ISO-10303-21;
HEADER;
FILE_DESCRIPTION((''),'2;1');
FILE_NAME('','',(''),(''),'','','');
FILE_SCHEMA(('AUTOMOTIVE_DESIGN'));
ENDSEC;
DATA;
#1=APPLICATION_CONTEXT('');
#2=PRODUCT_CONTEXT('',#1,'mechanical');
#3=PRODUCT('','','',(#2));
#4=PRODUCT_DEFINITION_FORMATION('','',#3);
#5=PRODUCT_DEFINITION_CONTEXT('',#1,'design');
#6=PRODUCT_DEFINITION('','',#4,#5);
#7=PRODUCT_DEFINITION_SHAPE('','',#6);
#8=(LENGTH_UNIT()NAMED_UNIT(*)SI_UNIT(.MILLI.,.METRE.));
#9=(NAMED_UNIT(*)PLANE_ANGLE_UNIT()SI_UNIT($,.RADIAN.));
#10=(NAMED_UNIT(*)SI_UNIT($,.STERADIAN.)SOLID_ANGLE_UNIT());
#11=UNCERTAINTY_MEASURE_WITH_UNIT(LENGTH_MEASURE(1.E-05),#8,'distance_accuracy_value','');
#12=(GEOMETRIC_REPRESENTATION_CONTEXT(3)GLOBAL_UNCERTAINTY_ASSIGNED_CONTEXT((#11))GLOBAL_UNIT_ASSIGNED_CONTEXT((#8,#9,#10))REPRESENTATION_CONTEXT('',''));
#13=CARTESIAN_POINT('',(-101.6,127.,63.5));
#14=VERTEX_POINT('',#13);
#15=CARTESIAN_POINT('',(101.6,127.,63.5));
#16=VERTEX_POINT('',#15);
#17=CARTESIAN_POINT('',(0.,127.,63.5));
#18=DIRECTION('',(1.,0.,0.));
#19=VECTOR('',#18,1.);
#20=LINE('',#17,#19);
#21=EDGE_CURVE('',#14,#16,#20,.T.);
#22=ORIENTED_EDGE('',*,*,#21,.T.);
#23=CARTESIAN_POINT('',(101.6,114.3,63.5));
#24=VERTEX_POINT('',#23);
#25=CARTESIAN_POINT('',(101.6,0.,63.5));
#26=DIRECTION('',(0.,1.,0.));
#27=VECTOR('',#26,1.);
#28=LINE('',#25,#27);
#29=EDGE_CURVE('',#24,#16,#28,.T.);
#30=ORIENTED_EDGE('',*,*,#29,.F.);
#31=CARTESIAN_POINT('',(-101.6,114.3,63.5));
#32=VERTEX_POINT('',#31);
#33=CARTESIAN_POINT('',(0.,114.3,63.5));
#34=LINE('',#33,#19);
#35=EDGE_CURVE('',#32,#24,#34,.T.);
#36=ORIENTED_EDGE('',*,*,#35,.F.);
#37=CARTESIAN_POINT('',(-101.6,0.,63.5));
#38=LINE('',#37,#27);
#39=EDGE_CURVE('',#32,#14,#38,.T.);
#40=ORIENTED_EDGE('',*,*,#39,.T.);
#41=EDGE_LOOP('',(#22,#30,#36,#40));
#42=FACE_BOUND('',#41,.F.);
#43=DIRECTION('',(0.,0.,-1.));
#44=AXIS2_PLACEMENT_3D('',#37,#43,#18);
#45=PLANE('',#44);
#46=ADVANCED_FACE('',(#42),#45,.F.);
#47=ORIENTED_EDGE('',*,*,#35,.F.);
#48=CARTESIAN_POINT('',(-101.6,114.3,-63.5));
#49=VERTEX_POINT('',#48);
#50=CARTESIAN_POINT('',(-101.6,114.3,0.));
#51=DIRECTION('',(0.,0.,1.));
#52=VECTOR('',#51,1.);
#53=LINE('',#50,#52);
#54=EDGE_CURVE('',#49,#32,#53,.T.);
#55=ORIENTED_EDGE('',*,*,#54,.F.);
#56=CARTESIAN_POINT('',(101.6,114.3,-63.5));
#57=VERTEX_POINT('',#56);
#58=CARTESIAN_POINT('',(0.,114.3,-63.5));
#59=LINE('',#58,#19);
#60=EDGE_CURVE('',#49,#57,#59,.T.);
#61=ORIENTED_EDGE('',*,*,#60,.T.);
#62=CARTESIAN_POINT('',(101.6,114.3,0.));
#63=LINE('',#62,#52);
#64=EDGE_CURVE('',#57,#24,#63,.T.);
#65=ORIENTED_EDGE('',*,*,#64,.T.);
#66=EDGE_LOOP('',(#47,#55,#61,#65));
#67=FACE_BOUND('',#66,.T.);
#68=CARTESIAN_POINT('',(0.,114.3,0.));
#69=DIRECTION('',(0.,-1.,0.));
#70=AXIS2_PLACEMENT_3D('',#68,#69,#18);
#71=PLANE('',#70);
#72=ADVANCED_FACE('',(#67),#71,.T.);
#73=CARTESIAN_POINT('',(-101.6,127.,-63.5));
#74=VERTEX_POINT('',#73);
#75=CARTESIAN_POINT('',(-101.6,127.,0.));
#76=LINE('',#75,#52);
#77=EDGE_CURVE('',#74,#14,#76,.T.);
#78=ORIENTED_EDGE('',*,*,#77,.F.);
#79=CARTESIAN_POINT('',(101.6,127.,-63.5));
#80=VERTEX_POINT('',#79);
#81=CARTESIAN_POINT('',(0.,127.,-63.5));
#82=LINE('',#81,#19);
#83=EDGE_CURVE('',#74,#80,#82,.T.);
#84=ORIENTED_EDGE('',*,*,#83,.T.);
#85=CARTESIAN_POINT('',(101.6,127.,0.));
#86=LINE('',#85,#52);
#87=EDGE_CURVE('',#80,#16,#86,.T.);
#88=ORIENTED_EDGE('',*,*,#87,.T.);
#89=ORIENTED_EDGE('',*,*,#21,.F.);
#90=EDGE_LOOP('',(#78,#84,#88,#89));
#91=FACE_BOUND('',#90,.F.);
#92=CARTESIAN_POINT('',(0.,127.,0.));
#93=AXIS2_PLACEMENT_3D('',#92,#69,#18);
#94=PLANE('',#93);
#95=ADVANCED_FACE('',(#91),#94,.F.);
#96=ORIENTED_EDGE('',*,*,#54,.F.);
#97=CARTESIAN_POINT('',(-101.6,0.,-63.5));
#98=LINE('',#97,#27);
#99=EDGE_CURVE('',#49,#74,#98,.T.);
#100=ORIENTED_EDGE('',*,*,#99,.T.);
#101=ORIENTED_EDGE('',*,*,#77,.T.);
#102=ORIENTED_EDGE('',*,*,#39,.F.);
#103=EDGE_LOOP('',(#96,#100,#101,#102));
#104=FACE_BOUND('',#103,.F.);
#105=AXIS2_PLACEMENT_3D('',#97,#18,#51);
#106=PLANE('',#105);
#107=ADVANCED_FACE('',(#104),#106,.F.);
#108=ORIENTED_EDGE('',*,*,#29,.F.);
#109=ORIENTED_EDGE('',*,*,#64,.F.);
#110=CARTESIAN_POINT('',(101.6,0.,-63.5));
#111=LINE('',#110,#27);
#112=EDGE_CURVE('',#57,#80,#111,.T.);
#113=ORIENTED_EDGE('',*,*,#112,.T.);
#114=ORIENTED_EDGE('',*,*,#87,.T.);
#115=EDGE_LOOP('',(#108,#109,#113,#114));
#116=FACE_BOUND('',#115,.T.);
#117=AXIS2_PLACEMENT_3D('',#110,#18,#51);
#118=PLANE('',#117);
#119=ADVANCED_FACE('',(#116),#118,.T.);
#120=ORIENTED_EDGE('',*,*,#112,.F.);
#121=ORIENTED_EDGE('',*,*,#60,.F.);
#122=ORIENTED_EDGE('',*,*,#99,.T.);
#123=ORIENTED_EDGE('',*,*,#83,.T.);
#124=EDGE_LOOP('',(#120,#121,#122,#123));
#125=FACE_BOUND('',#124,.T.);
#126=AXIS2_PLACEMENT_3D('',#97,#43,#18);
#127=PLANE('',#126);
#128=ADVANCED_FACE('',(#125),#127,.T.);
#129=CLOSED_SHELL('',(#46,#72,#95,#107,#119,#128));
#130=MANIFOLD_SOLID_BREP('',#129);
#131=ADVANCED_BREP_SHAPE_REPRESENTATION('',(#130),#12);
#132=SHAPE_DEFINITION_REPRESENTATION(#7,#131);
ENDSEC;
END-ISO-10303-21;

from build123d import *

# Parameters (mm, degrees)
F0_W     = 203.2
F0_H     = 127
F1_DEPTH = 127
F2_T     = -12.7


with BuildPart() as f1:
    # F0 (on Front) → F1 (new body)
    with BuildSketch(Plane.XZ):
        Rectangle(F0_W, F0_H)
    extrude(amount=-F1_DEPTH)

    # F2
    f2_openings = [f1.faces().sort_by_distance(p)[0] for p in [
        (0, 63.5, 63.5),
        (0, 0, 0),
        (101.6, 63.5, 0),
        (-101.6, 63.5, 0),
        (0, 63.5, -63.5),
    ]]
    offset(amount=F2_T, openings=f2_openings)


solid = f1.part
